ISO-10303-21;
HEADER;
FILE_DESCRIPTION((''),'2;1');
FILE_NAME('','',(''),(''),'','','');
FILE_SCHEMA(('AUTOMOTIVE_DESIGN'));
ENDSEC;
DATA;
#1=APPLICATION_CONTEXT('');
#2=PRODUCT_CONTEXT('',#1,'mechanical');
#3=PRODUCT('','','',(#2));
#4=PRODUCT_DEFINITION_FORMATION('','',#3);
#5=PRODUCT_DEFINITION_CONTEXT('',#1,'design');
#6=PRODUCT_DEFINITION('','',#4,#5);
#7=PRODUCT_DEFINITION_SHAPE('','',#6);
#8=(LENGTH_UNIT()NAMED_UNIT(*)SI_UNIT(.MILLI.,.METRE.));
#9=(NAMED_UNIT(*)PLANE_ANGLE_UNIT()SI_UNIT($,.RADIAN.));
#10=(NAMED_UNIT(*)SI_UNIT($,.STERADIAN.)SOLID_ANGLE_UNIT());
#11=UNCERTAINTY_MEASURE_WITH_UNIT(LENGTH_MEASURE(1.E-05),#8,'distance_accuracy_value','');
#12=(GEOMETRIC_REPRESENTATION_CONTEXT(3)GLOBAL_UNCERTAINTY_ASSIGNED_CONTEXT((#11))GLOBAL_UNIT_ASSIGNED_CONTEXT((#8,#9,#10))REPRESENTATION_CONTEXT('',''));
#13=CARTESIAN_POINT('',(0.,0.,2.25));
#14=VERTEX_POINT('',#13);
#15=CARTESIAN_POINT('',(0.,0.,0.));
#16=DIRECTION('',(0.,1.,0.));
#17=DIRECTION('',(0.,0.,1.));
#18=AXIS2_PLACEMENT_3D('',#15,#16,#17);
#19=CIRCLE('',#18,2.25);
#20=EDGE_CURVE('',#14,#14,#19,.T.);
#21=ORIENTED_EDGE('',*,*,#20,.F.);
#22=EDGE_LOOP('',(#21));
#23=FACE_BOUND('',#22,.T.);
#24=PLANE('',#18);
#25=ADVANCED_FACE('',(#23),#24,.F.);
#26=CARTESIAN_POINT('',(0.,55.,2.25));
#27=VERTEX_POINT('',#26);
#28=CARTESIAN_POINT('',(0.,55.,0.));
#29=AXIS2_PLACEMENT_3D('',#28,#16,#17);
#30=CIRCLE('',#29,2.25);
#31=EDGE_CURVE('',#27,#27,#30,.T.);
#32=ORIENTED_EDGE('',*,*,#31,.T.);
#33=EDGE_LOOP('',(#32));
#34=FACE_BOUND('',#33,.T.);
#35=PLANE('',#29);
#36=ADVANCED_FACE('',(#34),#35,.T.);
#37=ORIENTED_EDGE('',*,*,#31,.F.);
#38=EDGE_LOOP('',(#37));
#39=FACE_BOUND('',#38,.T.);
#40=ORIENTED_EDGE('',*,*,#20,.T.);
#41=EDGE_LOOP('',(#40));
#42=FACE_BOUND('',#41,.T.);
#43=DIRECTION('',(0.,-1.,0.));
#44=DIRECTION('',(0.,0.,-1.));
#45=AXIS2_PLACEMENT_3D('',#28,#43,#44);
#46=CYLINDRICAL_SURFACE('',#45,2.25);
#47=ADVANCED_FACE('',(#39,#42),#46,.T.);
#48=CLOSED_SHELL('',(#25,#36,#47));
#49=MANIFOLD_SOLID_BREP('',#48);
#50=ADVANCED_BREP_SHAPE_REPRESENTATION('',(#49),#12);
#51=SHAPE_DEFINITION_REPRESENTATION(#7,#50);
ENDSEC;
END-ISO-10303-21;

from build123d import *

# Parameters (mm, degrees)
SKETCH1_R           = 2.25
BOSS_EXTRUDE1_DEPTH = 55


with BuildPart() as part:
    # Sketch1 → Boss-Extrude1 (new body)
    with BuildSketch(Plane(origin=(0, 0, 0), x_dir=(1, 0, 0), z_dir=(0, 1, 0))):
        Circle(SKETCH1_R)
    extrude(amount=BOSS_EXTRUDE1_DEPTH)


solid = part.part
